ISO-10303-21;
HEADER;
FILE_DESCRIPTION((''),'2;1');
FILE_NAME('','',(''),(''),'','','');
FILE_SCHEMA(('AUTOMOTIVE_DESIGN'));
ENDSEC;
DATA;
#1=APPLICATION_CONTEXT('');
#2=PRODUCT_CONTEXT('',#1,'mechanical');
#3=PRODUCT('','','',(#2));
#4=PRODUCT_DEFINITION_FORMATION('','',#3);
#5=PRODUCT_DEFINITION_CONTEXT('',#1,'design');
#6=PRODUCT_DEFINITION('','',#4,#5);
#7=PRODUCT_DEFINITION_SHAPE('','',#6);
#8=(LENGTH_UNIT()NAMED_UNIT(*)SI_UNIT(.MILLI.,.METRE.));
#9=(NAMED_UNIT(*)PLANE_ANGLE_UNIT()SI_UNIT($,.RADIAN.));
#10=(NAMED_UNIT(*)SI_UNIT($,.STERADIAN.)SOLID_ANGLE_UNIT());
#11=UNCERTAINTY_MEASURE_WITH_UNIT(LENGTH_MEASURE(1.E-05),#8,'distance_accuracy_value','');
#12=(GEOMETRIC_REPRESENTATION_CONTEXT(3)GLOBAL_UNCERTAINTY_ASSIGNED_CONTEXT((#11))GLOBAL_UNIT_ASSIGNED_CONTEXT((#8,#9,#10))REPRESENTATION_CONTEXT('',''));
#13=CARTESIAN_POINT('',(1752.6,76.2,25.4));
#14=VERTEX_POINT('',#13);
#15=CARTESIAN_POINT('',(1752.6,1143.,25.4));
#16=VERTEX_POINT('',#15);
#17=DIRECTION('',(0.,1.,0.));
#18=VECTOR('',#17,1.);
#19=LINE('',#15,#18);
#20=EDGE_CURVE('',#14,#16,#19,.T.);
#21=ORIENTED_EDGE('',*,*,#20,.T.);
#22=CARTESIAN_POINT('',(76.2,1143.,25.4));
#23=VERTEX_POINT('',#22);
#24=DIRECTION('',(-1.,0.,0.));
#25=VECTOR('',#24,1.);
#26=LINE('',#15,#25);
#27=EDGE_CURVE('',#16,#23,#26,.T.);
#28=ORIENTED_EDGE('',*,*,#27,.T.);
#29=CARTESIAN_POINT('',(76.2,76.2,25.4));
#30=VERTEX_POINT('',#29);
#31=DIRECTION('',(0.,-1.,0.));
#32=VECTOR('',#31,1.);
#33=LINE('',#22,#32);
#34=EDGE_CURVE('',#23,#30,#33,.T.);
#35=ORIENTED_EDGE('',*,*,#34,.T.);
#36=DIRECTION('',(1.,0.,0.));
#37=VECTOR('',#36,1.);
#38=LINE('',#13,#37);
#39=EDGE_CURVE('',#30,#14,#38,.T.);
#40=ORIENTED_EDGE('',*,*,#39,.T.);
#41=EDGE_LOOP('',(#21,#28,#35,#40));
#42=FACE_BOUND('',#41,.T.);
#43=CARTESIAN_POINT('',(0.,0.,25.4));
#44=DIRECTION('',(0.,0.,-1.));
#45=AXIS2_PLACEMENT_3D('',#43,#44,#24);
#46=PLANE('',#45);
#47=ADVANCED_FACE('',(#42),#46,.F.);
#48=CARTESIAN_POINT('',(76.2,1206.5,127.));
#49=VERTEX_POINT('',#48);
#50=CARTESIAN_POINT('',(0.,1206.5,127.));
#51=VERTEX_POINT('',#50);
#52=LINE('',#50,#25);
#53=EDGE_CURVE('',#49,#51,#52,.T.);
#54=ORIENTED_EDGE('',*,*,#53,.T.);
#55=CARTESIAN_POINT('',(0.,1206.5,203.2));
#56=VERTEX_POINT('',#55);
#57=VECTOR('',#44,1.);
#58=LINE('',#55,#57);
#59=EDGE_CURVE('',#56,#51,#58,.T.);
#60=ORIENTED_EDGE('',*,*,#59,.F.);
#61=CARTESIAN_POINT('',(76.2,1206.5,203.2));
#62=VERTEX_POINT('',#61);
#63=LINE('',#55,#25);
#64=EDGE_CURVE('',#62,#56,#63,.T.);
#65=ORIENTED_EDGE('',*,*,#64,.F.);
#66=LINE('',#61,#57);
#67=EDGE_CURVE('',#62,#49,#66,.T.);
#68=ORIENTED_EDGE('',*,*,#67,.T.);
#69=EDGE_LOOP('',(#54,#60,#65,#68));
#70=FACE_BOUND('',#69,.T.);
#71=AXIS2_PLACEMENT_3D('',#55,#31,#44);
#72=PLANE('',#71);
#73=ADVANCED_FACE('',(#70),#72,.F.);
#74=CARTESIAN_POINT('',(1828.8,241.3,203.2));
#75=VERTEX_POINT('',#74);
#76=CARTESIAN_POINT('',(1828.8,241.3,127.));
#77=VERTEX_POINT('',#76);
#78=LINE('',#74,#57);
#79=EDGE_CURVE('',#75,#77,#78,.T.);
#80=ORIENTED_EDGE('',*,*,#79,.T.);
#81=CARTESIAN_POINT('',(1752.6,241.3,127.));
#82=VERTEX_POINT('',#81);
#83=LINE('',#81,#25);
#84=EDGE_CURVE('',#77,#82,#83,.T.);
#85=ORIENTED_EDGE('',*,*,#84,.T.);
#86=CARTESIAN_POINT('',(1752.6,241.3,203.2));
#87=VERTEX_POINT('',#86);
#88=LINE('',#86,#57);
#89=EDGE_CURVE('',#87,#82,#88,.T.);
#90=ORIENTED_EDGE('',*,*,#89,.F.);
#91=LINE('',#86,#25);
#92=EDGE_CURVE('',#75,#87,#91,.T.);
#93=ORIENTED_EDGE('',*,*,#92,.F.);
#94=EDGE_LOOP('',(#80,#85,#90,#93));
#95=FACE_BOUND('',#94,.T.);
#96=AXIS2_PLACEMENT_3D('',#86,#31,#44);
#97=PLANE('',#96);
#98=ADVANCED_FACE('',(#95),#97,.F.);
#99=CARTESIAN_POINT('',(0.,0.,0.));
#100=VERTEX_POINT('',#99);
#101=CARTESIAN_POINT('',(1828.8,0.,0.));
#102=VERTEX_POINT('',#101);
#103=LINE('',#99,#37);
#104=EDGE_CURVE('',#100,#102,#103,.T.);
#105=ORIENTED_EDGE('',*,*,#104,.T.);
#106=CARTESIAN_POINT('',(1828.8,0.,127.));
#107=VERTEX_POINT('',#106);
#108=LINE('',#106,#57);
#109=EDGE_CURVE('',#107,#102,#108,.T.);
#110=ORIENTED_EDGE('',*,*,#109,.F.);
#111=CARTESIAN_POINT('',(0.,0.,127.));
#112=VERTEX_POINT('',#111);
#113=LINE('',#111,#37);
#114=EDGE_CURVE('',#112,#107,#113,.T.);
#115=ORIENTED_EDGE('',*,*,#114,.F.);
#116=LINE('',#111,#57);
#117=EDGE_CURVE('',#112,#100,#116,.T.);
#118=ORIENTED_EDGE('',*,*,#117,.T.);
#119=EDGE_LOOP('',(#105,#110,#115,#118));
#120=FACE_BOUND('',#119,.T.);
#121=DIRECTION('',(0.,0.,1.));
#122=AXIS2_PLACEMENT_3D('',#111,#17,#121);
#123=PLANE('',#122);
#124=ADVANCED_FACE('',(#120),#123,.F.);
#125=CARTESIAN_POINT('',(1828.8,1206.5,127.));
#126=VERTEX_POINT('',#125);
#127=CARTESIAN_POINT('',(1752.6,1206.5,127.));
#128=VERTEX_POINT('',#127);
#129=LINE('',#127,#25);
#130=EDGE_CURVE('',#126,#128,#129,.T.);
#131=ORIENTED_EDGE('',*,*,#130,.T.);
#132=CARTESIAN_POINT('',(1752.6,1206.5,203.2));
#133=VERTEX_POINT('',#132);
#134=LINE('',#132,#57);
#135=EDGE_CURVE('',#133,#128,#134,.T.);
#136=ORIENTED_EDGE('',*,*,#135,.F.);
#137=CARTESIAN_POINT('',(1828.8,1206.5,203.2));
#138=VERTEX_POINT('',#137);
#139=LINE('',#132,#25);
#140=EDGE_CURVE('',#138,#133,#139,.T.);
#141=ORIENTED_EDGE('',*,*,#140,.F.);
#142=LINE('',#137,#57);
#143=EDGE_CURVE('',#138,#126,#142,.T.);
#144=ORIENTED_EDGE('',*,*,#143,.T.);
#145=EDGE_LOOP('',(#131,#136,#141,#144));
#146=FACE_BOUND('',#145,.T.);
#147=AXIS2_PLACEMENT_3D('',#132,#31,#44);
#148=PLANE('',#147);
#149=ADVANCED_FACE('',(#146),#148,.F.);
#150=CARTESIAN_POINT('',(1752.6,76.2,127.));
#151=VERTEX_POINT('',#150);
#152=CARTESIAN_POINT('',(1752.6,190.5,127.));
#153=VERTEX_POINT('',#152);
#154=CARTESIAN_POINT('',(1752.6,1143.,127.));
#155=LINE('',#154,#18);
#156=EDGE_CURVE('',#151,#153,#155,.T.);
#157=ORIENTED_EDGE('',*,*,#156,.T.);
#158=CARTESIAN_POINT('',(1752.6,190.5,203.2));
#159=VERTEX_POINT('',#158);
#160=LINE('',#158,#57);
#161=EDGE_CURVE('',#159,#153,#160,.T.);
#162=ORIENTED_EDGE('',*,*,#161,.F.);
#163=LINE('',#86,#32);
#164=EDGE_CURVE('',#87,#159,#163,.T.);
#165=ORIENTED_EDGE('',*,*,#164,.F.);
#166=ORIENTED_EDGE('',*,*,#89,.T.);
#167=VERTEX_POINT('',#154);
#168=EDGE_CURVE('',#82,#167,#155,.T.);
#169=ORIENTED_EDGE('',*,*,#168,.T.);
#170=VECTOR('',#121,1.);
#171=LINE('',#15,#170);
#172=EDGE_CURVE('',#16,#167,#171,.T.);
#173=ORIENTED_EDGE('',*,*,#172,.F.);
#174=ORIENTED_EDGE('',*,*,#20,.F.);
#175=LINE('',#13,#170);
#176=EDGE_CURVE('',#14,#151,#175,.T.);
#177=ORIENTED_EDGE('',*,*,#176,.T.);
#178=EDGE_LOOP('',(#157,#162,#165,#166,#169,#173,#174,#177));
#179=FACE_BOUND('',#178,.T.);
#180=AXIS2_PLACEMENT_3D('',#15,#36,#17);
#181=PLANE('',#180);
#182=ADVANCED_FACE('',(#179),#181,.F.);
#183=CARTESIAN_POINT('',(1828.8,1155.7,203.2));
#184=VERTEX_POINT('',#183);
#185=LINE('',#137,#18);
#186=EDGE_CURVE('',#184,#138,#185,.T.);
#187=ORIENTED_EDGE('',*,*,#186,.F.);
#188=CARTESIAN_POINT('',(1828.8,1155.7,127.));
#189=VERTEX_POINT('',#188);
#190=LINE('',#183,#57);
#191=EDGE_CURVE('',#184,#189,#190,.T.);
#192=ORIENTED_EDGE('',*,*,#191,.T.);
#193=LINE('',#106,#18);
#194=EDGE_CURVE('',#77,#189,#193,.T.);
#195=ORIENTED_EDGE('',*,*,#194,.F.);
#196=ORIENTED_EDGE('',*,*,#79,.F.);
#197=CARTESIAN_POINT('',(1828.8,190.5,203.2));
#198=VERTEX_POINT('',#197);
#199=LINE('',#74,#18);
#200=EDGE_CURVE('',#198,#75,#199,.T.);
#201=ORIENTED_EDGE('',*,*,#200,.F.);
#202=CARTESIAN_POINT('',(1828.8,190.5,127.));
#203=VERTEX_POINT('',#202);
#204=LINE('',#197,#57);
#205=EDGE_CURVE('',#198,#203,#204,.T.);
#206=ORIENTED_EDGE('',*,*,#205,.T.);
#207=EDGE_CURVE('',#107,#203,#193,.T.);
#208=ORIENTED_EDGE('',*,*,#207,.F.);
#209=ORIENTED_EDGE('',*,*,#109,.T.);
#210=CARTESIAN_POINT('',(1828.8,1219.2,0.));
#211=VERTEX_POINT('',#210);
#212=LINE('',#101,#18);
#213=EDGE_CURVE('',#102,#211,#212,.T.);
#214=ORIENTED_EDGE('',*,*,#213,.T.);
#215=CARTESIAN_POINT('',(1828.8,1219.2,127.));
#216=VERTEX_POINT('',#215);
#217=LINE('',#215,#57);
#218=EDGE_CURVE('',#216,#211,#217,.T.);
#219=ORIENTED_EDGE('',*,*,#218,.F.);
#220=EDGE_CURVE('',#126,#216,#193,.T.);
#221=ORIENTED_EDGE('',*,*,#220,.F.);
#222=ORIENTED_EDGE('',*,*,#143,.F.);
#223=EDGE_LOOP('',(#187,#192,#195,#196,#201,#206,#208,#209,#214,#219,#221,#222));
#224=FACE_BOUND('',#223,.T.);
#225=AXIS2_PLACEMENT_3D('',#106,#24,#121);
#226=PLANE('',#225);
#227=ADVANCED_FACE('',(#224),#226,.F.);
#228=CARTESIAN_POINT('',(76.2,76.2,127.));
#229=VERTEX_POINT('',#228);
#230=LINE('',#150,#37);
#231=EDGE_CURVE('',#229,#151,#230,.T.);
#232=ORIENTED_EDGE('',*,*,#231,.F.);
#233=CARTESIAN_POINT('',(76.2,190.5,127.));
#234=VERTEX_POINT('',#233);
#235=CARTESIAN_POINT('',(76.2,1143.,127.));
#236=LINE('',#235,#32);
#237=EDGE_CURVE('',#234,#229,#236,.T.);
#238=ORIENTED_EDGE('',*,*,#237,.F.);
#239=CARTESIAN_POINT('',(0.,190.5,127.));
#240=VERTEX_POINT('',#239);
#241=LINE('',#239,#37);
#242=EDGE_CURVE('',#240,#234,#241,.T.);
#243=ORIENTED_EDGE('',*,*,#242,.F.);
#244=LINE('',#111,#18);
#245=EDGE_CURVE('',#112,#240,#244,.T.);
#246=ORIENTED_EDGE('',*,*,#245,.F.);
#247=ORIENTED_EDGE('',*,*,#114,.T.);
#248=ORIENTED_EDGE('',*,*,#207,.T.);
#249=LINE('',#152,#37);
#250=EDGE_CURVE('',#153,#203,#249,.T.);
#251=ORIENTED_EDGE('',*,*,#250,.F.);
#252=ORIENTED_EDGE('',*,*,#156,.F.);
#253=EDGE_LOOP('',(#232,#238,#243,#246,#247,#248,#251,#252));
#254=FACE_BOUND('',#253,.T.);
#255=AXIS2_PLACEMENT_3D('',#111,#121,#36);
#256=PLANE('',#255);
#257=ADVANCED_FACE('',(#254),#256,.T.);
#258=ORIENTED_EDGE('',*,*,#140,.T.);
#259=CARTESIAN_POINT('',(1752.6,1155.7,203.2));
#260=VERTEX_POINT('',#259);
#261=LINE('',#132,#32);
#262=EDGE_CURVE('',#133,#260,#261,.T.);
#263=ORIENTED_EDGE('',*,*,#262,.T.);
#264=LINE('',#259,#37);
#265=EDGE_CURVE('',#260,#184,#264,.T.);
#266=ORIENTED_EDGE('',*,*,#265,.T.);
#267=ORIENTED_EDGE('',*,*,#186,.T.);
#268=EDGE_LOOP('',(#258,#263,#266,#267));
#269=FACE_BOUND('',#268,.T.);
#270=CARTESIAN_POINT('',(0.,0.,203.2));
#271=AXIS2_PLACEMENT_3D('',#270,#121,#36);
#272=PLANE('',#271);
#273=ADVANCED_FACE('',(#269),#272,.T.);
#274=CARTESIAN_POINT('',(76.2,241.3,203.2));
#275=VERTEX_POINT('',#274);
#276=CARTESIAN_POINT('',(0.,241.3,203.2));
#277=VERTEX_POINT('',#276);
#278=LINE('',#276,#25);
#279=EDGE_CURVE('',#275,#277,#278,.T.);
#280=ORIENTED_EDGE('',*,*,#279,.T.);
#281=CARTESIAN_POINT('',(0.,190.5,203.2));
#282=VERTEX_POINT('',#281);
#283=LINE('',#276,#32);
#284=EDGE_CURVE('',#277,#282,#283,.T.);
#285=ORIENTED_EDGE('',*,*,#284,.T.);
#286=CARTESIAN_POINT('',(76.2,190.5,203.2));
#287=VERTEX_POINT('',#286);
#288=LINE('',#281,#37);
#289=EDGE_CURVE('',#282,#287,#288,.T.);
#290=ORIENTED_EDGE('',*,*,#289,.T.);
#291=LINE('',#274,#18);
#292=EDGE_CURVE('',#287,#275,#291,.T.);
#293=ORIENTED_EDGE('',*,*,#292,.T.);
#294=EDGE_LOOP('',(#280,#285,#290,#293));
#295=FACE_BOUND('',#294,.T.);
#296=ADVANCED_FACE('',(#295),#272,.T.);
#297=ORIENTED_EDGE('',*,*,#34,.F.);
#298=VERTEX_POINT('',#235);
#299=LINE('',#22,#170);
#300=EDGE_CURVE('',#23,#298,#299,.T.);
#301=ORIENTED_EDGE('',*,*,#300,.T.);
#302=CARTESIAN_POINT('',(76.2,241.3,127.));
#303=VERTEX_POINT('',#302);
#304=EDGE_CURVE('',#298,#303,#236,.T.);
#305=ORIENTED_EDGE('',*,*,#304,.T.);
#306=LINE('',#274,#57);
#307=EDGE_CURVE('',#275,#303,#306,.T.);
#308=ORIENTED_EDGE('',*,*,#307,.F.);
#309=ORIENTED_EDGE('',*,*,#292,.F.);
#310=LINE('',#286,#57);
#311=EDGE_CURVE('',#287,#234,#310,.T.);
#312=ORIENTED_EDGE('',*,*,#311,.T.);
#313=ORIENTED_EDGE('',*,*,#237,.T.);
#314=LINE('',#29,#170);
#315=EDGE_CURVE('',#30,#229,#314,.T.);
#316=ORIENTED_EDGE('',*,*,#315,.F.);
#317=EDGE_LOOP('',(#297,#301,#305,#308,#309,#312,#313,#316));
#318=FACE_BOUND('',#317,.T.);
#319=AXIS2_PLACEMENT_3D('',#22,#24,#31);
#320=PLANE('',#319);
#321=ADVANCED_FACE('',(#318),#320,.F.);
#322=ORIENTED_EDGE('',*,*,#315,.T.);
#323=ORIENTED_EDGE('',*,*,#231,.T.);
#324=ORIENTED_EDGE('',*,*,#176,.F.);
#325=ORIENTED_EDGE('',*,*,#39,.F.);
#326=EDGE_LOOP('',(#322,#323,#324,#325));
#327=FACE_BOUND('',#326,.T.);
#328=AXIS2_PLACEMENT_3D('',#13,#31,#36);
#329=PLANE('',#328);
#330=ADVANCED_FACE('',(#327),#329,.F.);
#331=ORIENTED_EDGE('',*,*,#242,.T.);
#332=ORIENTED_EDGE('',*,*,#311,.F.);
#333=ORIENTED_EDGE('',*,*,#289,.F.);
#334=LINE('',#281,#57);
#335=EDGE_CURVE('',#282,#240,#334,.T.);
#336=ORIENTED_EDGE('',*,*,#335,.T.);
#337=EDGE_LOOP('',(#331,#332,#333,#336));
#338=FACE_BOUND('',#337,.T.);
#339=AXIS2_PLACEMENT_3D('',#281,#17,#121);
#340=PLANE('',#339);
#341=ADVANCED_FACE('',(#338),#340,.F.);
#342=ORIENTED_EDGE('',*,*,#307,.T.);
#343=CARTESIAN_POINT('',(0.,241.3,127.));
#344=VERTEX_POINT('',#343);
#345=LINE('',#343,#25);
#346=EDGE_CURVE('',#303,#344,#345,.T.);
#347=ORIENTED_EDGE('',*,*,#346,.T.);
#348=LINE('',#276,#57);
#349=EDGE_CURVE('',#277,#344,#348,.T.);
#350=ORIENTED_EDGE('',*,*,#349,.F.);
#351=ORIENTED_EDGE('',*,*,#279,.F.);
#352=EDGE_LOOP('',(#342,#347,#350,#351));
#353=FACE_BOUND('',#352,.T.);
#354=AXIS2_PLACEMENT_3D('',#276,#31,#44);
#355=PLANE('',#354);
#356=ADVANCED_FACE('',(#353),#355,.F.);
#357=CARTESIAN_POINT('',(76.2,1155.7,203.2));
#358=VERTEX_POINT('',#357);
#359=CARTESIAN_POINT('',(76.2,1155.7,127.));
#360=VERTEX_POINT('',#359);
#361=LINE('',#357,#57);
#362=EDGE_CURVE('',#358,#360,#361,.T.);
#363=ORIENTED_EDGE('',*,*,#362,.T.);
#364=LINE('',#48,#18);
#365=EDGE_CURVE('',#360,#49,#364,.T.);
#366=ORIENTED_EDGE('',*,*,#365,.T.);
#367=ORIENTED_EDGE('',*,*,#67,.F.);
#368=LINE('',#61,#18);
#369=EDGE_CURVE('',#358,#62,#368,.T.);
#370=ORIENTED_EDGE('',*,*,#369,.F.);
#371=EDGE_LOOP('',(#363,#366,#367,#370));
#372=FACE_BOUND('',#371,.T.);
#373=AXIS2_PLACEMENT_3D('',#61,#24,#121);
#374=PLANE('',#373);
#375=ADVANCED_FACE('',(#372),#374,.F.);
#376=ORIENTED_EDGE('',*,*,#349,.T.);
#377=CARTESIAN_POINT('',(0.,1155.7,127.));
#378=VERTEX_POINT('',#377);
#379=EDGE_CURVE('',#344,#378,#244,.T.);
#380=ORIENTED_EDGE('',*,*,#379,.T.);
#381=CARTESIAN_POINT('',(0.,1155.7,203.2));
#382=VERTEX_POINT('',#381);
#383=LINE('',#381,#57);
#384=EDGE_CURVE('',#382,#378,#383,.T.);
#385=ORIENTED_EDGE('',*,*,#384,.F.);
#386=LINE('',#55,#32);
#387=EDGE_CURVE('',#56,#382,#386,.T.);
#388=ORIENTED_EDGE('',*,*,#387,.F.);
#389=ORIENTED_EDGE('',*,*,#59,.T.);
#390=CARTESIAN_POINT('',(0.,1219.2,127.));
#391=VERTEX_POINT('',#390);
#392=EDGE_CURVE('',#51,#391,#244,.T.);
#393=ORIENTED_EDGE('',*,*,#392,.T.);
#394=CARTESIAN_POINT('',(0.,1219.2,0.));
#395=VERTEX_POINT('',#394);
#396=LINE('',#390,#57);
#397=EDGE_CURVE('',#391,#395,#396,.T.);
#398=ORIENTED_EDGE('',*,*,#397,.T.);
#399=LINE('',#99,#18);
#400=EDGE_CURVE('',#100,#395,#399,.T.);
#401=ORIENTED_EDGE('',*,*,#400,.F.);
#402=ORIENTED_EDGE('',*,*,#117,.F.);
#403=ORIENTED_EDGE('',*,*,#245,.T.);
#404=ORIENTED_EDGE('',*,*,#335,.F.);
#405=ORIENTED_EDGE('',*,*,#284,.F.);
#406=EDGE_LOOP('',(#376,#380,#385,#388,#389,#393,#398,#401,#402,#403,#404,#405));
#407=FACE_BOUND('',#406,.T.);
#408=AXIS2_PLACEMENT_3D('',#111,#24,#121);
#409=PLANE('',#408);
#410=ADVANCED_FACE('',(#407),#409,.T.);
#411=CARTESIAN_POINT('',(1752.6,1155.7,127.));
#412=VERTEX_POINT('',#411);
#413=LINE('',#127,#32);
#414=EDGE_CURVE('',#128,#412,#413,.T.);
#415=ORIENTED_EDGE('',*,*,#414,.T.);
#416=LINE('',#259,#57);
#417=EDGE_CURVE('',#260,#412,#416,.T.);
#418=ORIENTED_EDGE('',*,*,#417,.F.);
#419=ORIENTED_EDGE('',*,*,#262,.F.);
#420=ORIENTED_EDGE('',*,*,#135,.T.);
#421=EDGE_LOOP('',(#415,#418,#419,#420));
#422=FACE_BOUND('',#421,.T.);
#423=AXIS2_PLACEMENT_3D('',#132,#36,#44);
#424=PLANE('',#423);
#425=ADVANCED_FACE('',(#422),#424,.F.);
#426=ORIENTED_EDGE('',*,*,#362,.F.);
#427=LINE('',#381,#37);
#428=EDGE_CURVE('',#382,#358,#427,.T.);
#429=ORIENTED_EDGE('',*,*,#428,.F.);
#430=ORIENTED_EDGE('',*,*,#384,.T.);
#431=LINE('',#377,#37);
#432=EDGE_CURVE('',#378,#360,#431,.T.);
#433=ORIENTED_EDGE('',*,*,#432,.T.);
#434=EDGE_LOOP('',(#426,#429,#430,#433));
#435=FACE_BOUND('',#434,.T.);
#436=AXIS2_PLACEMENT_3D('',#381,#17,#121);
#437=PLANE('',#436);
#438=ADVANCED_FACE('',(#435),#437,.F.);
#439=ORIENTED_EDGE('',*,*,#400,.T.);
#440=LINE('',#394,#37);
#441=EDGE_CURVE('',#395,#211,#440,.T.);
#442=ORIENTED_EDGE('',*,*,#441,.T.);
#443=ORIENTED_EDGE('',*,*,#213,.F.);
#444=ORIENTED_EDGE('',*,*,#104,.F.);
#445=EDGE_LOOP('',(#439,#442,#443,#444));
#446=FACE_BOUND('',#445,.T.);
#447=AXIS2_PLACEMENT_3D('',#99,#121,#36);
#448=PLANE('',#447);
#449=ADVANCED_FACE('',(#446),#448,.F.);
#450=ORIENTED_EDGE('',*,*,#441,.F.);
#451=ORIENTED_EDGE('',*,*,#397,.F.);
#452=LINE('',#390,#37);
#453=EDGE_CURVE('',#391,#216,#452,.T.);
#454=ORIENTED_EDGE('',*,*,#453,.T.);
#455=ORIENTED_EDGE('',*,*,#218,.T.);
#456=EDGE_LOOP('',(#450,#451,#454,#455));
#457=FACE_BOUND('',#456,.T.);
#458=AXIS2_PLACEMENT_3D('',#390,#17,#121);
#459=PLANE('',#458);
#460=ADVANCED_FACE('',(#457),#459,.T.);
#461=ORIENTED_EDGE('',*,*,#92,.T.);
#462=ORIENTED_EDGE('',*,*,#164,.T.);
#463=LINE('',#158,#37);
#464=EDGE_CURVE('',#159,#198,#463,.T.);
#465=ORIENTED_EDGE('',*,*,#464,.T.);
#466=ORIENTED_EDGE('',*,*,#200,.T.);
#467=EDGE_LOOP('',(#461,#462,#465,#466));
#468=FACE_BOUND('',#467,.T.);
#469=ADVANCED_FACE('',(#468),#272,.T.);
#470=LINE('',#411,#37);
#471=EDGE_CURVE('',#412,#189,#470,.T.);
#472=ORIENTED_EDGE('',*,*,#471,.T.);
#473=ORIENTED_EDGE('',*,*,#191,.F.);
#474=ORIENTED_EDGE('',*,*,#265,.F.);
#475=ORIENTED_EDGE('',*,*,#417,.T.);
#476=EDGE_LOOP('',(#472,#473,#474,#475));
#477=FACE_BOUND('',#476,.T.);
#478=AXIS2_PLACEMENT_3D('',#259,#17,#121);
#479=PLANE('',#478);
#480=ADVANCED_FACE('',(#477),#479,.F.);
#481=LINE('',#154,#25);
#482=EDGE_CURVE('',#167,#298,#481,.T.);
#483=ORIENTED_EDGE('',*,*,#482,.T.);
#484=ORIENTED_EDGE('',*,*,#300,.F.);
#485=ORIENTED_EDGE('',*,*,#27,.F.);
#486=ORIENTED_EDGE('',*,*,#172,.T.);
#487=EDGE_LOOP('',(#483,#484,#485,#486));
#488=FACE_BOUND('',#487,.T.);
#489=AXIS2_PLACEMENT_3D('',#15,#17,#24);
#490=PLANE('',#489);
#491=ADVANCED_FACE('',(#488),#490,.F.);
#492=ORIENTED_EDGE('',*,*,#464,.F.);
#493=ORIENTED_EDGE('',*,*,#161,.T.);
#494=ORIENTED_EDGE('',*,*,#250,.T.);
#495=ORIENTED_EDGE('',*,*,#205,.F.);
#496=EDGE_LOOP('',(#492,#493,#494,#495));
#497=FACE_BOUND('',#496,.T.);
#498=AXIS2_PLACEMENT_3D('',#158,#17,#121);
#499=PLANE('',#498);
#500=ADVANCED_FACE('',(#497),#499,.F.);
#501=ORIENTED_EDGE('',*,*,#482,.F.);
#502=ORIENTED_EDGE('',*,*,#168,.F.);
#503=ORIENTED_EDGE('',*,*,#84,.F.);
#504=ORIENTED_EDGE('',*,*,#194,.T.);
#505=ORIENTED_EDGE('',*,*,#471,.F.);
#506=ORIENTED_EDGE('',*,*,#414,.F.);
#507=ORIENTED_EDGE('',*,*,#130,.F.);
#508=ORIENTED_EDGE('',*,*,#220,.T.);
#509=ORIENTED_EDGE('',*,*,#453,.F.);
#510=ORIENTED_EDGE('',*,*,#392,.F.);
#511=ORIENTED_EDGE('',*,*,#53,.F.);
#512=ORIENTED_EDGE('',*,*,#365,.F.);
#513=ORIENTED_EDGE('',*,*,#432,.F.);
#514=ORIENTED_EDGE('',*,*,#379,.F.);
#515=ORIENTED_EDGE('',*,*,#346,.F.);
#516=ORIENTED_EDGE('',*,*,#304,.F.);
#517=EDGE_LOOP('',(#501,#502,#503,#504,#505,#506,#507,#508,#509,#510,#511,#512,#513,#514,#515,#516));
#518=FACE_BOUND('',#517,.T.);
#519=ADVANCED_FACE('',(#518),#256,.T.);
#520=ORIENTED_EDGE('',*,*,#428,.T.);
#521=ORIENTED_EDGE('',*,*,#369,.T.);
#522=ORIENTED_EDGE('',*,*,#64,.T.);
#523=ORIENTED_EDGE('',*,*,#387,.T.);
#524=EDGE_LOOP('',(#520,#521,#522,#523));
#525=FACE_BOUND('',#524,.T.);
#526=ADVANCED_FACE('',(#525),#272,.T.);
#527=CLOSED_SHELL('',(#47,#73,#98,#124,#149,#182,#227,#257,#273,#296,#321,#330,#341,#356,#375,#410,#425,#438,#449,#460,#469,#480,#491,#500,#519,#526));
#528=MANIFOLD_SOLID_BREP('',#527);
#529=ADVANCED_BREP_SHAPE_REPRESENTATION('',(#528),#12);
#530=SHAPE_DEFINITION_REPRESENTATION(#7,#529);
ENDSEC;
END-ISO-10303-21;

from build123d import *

# Parameters (mm, degrees)
SKETCH1_W           = 1828.8
SKETCH1_H           = 1219.2
BOSS_EXTRUDE1_DEPTH = 127
SKETCH2_W           = 1676.4
SKETCH2_H           = 1066.8
CUT_EXTRUDE2_DEPTH  = 101.6
SKETCH3_W           = 76.2
SKETCH3_H           = 50.8
BOSS_EXTRUDE2_DEPTH = 76.2
SKETCH4_W           = 76.2
SKETCH4_H           = 50.8
BOSS_EXTRUDE3_DEPTH = 76.2
SKETCH5_W           = 76.2
SKETCH5_H           = 50.8
BOSS_EXTRUDE4_DEPTH = 76.2


with BuildPart() as part:
    # Sketch1 → Boss-Extrude1 (new body)
    with BuildSketch(Plane.XY):
        with Locations((914.4, 609.6)):
            Rectangle(SKETCH1_W, SKETCH1_H)
    extrude(amount=BOSS_EXTRUDE1_DEPTH)

    # Sketch2 → Cut-Extrude2 (cut)
    with BuildSketch(Plane.XY.offset(127)):
        with Locations((914.4, 609.6)):
            Rectangle(SKETCH2_W, SKETCH2_H)
    extrude(amount=-CUT_EXTRUDE2_DEPTH, mode=Mode.SUBTRACT)

    # Sketch3 → Boss-Extrude2 (add)
    with BuildSketch(Plane.XY.offset(127)):
        with Locations((38.1, 1181.1)):
            Rectangle(SKETCH3_W, SKETCH3_H)
    extrude(amount=BOSS_EXTRUDE2_DEPTH)

    # Sketch4 → Boss-Extrude3 (add)
    with BuildSketch(Plane.XY.offset(127)):
        with Locations((1790.7, 1181.1)):
            Rectangle(SKETCH4_W, SKETCH4_H)
    extrude(amount=BOSS_EXTRUDE3_DEPTH)

    # Sketch5 → Boss-Extrude4 (add)
    with BuildSketch(Plane.XY.offset(127)):
        with Locations((38.1, 215.9)):
            Rectangle(SKETCH5_W, SKETCH5_H)
        with Locations((1790.7, 215.9)):
            Rectangle(SKETCH5_W, SKETCH5_H)
    extrude(amount=BOSS_EXTRUDE4_DEPTH)


solid = part.part
